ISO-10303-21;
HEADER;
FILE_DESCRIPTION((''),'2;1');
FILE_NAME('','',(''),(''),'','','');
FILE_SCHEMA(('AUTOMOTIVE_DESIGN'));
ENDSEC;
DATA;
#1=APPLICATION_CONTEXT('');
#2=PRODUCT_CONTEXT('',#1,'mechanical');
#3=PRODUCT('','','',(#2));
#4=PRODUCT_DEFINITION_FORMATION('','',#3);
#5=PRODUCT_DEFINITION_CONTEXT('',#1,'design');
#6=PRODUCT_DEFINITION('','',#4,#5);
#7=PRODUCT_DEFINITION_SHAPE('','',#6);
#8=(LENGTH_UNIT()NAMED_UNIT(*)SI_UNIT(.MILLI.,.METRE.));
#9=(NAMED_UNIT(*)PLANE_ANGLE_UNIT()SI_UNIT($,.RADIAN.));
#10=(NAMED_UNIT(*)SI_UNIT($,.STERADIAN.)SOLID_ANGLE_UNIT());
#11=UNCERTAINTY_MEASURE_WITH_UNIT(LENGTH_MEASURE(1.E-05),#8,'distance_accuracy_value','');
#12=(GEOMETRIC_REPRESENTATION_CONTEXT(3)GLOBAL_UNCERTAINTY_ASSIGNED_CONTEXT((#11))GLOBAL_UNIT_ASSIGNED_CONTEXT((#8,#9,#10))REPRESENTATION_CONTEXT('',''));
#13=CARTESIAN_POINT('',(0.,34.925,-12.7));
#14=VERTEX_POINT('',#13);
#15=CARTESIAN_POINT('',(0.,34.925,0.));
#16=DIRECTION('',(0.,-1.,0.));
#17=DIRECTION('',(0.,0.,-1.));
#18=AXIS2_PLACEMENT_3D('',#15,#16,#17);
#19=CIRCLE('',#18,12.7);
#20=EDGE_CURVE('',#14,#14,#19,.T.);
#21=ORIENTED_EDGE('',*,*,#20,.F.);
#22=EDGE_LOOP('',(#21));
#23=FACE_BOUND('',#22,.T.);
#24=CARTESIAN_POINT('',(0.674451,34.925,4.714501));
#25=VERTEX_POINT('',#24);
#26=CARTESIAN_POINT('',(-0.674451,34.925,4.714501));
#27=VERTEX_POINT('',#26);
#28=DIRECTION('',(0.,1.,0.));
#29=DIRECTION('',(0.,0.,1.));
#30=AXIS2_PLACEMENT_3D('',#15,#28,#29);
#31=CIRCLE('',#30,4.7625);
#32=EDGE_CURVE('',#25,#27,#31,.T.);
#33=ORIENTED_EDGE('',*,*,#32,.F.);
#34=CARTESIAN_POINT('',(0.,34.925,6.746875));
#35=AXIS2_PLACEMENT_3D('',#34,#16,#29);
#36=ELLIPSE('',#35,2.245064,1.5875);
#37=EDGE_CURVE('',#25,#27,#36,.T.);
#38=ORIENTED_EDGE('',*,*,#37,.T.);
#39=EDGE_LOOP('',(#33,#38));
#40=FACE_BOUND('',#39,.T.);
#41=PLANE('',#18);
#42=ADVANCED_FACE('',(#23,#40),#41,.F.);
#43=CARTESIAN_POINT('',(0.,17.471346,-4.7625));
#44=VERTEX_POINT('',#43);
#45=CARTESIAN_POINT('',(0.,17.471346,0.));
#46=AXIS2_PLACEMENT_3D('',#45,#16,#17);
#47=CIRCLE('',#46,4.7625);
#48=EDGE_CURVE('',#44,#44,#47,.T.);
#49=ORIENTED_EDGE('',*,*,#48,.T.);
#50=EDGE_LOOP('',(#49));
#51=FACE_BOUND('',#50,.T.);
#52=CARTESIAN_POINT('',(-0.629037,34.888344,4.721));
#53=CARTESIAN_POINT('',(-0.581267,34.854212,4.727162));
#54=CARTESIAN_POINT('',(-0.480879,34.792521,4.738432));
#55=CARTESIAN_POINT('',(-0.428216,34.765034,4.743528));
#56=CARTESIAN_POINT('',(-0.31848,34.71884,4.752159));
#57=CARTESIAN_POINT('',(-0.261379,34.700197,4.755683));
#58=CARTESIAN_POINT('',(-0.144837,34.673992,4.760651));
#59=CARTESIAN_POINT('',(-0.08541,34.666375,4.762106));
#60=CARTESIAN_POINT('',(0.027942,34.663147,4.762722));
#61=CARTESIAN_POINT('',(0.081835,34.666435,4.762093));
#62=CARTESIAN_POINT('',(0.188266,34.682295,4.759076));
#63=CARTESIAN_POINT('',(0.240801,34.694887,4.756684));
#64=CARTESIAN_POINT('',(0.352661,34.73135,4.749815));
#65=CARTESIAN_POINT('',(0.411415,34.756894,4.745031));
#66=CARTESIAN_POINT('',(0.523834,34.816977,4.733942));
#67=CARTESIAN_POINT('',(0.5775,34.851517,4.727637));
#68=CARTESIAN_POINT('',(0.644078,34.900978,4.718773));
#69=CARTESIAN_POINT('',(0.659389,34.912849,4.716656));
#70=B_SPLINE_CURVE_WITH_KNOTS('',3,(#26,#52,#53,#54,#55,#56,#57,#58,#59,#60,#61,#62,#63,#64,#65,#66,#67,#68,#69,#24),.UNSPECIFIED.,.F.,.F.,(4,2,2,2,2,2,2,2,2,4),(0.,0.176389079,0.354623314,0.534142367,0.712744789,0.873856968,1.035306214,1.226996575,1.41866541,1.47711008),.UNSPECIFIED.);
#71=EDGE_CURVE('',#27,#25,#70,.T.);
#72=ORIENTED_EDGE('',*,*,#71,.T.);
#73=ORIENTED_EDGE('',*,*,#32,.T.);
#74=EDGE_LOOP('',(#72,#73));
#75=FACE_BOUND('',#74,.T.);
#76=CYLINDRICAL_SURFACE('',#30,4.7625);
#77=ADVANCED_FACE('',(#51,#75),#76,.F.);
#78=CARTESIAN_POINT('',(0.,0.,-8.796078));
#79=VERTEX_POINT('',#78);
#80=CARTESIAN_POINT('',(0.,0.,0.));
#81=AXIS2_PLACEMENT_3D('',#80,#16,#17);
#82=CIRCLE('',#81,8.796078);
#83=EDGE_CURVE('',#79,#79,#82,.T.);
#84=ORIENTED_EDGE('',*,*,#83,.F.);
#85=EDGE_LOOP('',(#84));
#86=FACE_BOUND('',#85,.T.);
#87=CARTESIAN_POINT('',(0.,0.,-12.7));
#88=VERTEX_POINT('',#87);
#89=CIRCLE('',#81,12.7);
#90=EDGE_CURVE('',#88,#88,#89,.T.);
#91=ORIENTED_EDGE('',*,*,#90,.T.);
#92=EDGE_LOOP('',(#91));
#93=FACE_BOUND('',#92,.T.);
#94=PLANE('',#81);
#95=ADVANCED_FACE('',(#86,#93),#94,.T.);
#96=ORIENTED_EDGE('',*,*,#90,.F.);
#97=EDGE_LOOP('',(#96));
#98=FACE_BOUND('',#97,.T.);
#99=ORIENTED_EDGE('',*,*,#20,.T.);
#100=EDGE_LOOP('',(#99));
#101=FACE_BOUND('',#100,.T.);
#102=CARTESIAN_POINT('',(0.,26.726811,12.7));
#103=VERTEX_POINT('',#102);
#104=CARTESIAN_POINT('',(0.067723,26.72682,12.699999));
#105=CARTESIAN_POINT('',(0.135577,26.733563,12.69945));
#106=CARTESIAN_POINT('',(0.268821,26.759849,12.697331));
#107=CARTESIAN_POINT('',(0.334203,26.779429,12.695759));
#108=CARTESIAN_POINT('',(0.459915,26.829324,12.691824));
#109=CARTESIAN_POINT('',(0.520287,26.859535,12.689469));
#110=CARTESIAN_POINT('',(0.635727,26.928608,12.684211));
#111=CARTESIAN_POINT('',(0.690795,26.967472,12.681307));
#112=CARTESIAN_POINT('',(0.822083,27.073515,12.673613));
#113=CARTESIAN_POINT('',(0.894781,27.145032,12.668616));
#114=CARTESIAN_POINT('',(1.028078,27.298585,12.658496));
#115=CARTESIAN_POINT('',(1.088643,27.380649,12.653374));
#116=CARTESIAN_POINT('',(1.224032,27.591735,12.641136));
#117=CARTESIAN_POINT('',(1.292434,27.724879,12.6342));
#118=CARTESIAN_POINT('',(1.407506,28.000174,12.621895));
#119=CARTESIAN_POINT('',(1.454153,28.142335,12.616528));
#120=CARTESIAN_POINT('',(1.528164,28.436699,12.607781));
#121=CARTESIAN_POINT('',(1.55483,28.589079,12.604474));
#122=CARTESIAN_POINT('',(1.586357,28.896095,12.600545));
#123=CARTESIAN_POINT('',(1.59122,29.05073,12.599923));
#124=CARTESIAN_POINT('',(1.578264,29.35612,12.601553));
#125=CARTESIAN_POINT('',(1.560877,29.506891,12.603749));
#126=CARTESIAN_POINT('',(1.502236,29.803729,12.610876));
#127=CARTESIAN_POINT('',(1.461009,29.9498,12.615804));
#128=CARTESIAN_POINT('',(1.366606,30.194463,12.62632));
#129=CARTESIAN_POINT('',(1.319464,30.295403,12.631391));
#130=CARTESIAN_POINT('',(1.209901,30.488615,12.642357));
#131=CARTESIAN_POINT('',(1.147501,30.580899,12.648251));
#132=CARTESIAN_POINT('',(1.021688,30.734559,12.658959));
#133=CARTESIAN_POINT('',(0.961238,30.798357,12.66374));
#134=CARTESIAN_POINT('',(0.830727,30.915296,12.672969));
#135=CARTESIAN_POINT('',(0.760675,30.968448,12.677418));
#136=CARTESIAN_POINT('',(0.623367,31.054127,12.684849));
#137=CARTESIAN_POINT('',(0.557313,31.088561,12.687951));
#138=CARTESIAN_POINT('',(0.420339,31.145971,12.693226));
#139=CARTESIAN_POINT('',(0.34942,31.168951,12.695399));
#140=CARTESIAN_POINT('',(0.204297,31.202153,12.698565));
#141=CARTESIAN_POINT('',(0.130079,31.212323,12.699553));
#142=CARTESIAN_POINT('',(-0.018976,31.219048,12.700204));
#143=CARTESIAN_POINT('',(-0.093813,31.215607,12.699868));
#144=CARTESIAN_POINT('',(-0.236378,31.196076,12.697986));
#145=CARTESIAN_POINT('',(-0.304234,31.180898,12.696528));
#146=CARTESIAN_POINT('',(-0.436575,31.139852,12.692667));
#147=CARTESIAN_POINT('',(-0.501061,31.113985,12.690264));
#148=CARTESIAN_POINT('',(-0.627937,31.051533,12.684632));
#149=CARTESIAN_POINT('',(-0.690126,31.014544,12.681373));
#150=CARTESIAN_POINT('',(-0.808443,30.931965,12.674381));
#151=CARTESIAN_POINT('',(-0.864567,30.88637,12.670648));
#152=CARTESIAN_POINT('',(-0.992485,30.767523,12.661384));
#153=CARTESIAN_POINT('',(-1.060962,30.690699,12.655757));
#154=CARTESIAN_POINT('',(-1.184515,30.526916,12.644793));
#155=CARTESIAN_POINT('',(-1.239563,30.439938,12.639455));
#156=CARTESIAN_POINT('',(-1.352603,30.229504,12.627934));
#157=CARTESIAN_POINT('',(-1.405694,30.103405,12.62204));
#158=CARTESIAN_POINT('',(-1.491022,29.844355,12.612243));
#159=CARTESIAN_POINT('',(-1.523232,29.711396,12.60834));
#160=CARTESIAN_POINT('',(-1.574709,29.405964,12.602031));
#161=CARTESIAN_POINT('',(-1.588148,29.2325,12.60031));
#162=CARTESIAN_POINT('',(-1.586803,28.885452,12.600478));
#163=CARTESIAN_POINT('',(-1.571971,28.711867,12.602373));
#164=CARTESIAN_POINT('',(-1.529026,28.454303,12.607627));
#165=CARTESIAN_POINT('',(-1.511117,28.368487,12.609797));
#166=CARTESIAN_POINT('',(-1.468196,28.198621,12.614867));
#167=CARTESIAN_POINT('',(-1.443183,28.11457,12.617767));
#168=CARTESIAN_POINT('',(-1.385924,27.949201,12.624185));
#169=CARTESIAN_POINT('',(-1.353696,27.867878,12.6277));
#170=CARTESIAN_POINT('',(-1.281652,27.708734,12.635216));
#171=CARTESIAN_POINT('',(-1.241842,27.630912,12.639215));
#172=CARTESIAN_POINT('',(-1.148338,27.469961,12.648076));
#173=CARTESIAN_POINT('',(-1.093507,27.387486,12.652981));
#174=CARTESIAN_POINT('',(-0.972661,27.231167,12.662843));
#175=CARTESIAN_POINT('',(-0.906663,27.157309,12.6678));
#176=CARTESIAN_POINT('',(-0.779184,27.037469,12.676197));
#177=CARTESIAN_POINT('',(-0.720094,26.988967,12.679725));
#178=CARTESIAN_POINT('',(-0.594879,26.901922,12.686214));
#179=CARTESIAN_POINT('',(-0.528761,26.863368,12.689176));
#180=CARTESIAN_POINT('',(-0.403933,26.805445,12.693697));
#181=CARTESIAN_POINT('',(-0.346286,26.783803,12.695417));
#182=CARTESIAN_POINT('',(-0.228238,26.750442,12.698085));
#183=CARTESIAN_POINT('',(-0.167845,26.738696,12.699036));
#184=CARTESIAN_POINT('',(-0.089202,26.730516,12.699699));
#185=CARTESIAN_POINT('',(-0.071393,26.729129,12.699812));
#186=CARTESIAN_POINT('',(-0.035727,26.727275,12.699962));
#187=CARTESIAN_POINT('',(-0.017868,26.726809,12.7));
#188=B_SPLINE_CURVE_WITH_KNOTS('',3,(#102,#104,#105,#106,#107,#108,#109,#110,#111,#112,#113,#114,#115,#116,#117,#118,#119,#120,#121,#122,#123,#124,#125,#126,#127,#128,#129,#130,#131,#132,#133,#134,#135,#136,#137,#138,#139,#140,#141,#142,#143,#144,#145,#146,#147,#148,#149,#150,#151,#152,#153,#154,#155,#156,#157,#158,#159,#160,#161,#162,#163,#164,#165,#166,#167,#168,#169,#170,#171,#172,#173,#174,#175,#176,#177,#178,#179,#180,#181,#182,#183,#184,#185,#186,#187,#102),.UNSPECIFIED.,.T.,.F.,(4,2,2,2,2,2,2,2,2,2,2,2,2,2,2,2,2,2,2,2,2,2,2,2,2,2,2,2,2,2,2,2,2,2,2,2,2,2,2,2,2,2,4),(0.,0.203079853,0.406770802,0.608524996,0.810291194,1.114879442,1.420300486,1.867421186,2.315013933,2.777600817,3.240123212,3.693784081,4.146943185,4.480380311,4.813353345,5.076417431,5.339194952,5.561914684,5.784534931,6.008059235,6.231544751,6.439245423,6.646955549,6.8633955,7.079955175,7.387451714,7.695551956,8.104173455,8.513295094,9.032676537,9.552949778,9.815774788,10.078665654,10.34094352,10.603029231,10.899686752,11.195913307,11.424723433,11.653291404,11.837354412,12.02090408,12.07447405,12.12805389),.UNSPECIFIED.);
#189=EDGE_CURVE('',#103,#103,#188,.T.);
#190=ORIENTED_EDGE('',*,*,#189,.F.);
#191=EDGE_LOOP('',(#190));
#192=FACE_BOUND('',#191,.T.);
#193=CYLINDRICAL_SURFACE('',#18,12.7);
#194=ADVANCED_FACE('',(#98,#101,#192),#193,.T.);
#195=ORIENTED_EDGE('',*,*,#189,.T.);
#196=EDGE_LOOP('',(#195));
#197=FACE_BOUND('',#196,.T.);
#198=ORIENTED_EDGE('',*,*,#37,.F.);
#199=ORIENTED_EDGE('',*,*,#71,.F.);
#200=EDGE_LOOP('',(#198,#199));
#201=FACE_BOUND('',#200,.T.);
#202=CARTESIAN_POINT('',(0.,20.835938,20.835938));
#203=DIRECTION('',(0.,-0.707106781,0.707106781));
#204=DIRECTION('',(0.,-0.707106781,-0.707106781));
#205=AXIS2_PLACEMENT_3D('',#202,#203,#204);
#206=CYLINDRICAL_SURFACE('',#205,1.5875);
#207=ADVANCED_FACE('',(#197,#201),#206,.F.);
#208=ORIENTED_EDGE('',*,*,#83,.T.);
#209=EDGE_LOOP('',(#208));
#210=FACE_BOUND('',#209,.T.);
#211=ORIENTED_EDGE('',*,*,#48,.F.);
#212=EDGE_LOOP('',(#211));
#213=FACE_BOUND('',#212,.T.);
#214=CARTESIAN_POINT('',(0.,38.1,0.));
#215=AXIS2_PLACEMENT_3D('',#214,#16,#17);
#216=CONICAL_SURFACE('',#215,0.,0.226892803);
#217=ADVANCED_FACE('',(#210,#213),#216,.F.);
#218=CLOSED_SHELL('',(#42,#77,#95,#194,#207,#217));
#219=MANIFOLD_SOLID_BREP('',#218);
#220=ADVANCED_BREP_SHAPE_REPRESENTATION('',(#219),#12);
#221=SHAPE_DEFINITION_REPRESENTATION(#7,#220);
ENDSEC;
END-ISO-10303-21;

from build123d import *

# Parameters (mm, degrees)
SKETCH2_R                    = 12.7
BOSS_EXTRUDE1_DEPTH          = 34.925
F_3_8_0_375_DIAMETER_HOLE1_D = 9.525
F_1_8_0_125_DIAMETER_HOLE1_D = 3.175


with BuildPart() as part:
    # Sketch1 → Revolve1 (revolve)
    with BuildSketch(Plane.XY, mode=Mode.PRIVATE) as revolve1_sk:
        Polygon((0, 0), (0, 38.1), (-8.796078082, 0), align=None)
    revolve(revolve1_sk.sketch.rotate(Axis((0, 0, 0), (0, 1, 0)), 270), axis=Axis((0, 0, 0), (0, 1, 0)))


with BuildPart() as body_2:
    # Sketch2 → Boss-Extrude1 (new body)
    with BuildSketch(Plane.XZ):
        with Locations(Location((0, 0, 0), (0, 0, 270))):
            Circle(SKETCH2_R)
    extrude(amount=-BOSS_EXTRUDE1_DEPTH)

    # Combine1: cut part
    add(part.part, mode=Mode.SUBTRACT)

    # 3/8 (0.375) Diameter Hole1 (through all)
    with Locations(Plane(origin=(0, 34.925, 0), x_dir=(1, 0, 0), z_dir=(0, 1, 0))):
        with Locations((0, 0)):
            Hole(F_3_8_0_375_DIAMETER_HOLE1_D / 2)

    # 1/8 (0.125) Diameter Hole1 (through all)
    with Locations(Plane(origin=(0, 0, 0), x_dir=(1, 0, 0), z_dir=(0, -0.7071067811865475, 0.7071067811865477))):
        with Locations((0, 29.466465397)):
            Hole(F_1_8_0_125_DIAMETER_HOLE1_D / 2)


solid = body_2.part
